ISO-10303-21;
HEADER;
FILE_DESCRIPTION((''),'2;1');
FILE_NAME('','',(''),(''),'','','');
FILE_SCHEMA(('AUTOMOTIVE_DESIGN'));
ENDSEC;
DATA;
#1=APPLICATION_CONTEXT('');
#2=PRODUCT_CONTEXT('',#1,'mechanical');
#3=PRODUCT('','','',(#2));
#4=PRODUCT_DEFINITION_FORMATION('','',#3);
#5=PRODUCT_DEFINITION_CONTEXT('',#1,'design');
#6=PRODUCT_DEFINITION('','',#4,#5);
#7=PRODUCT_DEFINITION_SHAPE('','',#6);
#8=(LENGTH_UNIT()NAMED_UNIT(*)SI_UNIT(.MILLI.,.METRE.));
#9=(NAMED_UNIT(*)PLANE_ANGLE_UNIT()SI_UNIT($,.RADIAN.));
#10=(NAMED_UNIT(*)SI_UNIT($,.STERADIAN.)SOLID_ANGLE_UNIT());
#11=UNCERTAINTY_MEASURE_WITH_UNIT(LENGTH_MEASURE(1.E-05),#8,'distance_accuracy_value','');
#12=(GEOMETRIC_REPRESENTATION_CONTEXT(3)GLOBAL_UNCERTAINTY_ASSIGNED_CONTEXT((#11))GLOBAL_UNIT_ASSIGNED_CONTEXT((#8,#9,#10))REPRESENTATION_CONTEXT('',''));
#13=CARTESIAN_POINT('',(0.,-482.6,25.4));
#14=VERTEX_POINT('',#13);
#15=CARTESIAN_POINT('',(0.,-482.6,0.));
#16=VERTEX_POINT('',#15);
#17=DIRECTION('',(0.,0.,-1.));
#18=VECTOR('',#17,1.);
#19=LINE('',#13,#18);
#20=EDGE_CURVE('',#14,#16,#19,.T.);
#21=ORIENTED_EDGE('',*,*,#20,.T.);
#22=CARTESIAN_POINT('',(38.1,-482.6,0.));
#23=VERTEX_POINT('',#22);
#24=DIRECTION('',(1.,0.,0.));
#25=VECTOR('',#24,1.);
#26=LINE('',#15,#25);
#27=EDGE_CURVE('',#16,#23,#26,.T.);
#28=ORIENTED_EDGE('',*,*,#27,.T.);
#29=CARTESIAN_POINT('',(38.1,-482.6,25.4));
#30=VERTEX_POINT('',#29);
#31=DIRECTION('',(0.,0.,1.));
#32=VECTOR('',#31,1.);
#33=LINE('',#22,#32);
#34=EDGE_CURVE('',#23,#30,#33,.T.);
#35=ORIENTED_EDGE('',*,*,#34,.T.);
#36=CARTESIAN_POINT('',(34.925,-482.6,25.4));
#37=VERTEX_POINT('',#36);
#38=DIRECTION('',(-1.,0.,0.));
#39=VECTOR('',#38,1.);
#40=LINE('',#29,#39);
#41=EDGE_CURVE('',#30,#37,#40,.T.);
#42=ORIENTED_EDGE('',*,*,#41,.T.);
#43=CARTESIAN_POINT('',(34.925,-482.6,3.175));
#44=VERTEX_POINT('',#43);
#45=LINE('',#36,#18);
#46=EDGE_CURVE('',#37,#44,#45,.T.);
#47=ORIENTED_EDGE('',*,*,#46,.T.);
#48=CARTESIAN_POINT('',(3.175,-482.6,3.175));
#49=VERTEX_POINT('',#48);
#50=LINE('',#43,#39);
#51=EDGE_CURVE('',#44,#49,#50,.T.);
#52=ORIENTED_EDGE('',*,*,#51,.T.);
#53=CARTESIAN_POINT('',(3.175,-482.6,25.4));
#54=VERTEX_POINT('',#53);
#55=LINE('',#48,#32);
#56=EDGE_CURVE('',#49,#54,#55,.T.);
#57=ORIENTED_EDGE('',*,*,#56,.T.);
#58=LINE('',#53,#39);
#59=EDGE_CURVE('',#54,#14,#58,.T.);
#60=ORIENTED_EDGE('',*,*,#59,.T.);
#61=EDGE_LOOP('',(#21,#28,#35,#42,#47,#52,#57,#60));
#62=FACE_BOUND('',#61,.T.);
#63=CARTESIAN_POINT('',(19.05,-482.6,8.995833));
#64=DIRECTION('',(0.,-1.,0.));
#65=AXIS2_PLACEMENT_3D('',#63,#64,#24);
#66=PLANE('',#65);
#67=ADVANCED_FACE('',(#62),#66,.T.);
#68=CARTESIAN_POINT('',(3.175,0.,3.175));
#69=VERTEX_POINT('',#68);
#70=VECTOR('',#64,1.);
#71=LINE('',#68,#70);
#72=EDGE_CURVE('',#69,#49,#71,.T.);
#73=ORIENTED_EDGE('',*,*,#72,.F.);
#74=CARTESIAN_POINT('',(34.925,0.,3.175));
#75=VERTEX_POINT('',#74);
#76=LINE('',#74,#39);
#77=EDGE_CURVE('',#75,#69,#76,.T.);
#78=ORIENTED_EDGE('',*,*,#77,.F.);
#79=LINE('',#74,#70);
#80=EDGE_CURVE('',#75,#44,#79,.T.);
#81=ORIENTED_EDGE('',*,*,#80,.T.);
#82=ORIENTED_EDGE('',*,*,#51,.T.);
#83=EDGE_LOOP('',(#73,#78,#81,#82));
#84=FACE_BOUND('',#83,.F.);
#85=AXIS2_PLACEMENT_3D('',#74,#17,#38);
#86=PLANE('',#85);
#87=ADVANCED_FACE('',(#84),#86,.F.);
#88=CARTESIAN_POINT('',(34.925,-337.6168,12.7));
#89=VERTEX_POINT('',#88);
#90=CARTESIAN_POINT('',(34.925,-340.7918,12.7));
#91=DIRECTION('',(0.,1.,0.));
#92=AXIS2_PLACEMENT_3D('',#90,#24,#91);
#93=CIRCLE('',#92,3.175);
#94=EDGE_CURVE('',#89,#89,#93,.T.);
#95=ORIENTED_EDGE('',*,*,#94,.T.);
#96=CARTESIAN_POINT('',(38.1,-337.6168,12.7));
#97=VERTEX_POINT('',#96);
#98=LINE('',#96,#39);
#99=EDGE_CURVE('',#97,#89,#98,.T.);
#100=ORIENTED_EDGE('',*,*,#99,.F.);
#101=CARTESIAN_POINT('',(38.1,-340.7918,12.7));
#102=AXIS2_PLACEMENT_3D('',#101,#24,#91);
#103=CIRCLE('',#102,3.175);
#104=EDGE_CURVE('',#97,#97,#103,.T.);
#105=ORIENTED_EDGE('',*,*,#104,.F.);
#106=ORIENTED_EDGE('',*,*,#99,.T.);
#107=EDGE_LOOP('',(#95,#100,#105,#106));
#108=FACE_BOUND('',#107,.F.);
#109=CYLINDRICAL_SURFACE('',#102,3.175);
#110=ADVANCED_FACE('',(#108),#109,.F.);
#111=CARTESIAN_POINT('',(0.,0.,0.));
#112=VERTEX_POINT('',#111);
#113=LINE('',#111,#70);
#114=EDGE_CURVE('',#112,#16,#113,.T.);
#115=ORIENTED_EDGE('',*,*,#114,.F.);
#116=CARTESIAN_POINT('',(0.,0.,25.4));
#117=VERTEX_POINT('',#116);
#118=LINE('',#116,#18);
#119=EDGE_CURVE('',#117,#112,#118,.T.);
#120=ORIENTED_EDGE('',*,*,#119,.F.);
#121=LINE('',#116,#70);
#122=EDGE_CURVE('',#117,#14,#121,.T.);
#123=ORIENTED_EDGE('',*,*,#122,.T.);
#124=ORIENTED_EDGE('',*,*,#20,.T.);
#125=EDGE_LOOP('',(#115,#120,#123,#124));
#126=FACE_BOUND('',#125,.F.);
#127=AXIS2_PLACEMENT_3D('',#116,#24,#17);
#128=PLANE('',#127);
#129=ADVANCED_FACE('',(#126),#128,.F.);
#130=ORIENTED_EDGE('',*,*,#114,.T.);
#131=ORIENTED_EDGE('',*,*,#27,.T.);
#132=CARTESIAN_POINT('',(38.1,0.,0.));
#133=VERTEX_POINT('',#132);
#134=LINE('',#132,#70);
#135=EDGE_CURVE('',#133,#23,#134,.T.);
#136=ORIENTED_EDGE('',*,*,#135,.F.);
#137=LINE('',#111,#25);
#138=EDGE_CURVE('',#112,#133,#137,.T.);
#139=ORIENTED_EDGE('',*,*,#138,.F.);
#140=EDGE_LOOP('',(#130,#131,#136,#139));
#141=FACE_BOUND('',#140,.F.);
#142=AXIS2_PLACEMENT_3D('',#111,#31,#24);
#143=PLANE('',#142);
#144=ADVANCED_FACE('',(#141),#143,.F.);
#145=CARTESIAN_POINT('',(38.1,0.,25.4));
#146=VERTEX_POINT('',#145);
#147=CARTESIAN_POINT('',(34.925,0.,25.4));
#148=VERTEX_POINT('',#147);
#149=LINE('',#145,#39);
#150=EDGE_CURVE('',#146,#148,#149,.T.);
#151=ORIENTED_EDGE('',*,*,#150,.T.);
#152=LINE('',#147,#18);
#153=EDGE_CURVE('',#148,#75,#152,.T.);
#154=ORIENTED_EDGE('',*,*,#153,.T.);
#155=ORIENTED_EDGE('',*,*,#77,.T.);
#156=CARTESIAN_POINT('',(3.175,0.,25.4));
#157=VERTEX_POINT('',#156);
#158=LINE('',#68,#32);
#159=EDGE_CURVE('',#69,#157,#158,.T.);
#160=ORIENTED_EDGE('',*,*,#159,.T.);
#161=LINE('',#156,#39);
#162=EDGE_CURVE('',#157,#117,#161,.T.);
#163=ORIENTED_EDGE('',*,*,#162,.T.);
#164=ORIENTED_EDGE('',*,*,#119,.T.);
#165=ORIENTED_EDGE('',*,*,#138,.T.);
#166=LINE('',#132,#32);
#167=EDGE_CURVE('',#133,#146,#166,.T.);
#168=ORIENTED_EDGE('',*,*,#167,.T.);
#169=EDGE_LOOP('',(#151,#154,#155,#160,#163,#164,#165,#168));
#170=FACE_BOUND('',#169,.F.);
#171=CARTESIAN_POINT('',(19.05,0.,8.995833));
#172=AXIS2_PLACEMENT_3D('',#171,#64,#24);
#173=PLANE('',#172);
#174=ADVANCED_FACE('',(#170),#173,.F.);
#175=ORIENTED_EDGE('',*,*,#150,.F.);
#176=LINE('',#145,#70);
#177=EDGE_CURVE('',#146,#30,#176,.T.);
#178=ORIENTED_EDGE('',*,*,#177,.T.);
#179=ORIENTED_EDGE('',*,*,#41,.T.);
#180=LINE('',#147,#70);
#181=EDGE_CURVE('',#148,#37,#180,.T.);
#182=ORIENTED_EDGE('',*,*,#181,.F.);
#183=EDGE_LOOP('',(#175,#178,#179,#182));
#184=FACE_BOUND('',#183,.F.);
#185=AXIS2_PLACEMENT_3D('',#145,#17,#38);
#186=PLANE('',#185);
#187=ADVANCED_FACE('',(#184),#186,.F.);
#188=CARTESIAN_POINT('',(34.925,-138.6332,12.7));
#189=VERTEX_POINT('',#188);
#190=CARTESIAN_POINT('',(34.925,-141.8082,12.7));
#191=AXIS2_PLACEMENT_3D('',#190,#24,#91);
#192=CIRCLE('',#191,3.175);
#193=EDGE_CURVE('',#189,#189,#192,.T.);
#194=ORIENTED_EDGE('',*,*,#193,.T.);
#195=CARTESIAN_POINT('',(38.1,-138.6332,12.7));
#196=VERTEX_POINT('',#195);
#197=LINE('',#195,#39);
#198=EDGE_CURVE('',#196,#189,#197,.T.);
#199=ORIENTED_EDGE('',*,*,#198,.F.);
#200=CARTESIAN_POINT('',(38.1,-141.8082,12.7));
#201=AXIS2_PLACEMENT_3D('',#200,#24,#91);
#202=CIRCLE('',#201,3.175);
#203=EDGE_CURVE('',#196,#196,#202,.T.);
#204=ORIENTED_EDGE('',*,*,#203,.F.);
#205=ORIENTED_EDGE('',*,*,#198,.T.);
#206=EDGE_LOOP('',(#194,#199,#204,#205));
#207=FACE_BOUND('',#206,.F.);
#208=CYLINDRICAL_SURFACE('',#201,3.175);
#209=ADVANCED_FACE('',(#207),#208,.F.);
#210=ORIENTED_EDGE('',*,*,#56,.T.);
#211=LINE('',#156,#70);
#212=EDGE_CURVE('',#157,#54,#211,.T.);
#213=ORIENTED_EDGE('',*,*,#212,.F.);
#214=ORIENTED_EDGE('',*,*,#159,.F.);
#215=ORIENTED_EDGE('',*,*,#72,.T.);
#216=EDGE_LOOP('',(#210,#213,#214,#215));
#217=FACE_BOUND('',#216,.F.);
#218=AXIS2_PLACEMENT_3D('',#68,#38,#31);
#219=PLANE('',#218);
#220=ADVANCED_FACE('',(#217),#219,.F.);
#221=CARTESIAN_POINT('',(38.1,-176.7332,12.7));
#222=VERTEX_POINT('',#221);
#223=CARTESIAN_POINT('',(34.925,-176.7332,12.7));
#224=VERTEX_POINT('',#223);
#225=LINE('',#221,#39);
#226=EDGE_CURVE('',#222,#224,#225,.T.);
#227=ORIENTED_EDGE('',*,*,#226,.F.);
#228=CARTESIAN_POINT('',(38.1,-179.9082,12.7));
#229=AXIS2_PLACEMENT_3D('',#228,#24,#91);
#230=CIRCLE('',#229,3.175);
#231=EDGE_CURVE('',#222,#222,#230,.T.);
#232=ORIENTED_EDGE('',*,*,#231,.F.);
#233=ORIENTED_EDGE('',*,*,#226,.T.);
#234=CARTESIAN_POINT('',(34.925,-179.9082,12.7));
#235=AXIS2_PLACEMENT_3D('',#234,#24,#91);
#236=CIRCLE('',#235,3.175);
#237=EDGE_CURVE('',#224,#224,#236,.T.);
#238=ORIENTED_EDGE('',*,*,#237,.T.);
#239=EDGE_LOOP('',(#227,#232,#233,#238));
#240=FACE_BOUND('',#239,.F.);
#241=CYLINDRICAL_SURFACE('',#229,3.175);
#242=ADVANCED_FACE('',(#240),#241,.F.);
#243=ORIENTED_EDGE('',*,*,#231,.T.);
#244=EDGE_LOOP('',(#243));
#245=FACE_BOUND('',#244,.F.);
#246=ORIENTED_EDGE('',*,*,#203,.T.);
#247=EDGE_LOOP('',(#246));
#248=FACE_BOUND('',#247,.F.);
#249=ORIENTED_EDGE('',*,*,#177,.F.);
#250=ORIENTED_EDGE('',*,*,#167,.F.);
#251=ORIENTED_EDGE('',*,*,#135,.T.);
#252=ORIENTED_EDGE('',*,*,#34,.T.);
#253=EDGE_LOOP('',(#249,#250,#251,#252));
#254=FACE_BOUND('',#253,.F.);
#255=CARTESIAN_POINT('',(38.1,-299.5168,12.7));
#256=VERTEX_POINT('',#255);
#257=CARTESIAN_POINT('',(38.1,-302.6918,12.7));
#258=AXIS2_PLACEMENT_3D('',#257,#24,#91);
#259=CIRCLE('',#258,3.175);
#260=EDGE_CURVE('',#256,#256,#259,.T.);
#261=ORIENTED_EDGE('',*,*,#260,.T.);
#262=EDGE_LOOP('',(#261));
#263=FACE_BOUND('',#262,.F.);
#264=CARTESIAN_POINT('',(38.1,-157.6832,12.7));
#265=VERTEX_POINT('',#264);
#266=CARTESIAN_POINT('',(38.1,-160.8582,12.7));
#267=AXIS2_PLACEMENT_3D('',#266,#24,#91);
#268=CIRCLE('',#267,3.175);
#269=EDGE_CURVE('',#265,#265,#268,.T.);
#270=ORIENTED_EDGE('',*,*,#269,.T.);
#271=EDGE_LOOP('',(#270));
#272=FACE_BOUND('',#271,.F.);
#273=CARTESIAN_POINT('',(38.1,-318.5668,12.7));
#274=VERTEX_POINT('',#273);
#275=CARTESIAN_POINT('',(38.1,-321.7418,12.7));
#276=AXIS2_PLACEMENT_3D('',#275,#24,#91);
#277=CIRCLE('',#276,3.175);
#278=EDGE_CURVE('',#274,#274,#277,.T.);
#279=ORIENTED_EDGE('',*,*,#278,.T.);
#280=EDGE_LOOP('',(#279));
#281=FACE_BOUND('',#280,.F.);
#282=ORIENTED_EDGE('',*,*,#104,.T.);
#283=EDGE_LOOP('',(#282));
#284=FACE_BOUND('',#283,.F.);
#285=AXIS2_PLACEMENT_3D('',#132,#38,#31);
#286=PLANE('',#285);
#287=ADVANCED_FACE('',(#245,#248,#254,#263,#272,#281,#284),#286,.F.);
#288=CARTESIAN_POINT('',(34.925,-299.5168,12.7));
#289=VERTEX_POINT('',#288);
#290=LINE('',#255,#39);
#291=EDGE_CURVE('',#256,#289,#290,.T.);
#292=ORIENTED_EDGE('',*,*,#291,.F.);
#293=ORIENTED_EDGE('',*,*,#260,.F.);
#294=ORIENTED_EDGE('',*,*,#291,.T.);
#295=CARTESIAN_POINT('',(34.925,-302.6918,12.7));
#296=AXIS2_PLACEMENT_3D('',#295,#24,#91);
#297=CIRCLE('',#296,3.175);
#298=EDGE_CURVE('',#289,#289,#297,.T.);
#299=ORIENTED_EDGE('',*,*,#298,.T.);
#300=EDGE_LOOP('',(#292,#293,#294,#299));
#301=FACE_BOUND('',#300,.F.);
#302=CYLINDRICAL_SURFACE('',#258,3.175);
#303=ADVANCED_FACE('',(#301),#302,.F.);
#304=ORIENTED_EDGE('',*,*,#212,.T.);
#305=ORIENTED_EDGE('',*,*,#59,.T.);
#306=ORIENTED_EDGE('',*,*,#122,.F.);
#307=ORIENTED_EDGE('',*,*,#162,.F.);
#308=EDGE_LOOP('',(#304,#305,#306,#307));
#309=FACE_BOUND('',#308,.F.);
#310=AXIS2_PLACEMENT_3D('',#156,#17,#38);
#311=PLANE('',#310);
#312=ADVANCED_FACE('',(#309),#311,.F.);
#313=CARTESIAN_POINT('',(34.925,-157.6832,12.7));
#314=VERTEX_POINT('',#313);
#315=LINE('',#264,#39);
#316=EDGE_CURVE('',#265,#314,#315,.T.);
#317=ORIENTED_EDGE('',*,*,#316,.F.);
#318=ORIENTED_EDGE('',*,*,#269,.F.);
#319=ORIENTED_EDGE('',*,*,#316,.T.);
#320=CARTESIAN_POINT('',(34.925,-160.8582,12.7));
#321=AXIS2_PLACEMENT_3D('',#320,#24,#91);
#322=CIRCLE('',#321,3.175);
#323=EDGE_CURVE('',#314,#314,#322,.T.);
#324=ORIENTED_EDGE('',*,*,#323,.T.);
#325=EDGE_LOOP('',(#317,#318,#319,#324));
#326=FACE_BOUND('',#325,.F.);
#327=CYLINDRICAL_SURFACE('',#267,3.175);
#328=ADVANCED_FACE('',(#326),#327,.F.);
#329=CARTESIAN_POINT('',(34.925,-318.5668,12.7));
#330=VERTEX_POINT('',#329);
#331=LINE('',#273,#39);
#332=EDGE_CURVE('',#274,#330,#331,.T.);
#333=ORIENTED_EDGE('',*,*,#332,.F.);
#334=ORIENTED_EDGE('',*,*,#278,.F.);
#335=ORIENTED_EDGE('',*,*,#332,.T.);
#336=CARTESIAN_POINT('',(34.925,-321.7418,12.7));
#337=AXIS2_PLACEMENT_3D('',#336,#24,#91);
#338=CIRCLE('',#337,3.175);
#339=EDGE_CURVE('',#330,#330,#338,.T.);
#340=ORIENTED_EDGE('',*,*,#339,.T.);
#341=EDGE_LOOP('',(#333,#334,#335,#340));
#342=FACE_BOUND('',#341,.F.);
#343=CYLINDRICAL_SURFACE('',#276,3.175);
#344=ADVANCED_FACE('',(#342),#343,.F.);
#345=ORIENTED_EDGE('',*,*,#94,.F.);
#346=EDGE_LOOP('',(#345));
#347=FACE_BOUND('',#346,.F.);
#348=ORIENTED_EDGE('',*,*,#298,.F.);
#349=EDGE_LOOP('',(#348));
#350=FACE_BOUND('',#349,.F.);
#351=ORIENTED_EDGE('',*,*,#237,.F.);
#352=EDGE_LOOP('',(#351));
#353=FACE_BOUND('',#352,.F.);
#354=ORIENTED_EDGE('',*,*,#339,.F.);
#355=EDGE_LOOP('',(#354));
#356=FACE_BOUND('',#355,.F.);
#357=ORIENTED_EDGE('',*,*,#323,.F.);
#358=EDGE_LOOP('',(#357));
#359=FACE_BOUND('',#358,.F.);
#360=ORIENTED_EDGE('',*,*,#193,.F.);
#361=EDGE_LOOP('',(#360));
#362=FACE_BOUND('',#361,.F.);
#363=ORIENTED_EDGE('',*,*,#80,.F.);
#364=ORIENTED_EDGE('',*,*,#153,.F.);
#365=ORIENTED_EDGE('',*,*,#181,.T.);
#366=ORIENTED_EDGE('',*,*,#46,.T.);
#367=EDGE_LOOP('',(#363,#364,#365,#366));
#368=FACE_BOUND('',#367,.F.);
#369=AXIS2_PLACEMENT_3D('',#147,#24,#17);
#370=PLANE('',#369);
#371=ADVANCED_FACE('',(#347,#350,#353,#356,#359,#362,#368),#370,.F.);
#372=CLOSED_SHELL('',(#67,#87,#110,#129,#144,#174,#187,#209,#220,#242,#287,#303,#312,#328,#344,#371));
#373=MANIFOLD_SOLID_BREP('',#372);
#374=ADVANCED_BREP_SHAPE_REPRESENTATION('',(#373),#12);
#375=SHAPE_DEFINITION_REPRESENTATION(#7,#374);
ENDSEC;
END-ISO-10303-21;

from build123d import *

# Parameters (mm, degrees)
F1_DEPTH = 482.6
F2_R     = 3.175
F3_DEPTH = 6.35


with BuildPart() as f1:
    # F0 (on Front) → F1 (new body)
    with BuildSketch(Plane.XZ):
        Polygon((0, 25.4), (0, 0), (38.1, 0), (38.1, 25.4), (34.925, 25.4), (34.925, 3.175), (3.175, 3.175), (3.175, 25.4), align=None)
    extrude(amount=F1_DEPTH)

    # F2 (on face) → F3 (cut)
    with BuildSketch(Plane.YZ.offset(38.1)):
        with Locations((-141.8082, 12.7)):
            Circle(F2_R)
        with Locations((-160.8582, 12.7)):
            Circle(F2_R)
        with Locations((-179.9082, 12.7)):
            Circle(F2_R)
        with Locations((-302.6918, 12.7)):
            Circle(F2_R)
        with Locations((-321.7418, 12.7)):
            Circle(F2_R)
        with Locations((-340.7918, 12.7)):
            Circle(F2_R)
    extrude(amount=-F3_DEPTH, mode=Mode.SUBTRACT)


solid = f1.part
